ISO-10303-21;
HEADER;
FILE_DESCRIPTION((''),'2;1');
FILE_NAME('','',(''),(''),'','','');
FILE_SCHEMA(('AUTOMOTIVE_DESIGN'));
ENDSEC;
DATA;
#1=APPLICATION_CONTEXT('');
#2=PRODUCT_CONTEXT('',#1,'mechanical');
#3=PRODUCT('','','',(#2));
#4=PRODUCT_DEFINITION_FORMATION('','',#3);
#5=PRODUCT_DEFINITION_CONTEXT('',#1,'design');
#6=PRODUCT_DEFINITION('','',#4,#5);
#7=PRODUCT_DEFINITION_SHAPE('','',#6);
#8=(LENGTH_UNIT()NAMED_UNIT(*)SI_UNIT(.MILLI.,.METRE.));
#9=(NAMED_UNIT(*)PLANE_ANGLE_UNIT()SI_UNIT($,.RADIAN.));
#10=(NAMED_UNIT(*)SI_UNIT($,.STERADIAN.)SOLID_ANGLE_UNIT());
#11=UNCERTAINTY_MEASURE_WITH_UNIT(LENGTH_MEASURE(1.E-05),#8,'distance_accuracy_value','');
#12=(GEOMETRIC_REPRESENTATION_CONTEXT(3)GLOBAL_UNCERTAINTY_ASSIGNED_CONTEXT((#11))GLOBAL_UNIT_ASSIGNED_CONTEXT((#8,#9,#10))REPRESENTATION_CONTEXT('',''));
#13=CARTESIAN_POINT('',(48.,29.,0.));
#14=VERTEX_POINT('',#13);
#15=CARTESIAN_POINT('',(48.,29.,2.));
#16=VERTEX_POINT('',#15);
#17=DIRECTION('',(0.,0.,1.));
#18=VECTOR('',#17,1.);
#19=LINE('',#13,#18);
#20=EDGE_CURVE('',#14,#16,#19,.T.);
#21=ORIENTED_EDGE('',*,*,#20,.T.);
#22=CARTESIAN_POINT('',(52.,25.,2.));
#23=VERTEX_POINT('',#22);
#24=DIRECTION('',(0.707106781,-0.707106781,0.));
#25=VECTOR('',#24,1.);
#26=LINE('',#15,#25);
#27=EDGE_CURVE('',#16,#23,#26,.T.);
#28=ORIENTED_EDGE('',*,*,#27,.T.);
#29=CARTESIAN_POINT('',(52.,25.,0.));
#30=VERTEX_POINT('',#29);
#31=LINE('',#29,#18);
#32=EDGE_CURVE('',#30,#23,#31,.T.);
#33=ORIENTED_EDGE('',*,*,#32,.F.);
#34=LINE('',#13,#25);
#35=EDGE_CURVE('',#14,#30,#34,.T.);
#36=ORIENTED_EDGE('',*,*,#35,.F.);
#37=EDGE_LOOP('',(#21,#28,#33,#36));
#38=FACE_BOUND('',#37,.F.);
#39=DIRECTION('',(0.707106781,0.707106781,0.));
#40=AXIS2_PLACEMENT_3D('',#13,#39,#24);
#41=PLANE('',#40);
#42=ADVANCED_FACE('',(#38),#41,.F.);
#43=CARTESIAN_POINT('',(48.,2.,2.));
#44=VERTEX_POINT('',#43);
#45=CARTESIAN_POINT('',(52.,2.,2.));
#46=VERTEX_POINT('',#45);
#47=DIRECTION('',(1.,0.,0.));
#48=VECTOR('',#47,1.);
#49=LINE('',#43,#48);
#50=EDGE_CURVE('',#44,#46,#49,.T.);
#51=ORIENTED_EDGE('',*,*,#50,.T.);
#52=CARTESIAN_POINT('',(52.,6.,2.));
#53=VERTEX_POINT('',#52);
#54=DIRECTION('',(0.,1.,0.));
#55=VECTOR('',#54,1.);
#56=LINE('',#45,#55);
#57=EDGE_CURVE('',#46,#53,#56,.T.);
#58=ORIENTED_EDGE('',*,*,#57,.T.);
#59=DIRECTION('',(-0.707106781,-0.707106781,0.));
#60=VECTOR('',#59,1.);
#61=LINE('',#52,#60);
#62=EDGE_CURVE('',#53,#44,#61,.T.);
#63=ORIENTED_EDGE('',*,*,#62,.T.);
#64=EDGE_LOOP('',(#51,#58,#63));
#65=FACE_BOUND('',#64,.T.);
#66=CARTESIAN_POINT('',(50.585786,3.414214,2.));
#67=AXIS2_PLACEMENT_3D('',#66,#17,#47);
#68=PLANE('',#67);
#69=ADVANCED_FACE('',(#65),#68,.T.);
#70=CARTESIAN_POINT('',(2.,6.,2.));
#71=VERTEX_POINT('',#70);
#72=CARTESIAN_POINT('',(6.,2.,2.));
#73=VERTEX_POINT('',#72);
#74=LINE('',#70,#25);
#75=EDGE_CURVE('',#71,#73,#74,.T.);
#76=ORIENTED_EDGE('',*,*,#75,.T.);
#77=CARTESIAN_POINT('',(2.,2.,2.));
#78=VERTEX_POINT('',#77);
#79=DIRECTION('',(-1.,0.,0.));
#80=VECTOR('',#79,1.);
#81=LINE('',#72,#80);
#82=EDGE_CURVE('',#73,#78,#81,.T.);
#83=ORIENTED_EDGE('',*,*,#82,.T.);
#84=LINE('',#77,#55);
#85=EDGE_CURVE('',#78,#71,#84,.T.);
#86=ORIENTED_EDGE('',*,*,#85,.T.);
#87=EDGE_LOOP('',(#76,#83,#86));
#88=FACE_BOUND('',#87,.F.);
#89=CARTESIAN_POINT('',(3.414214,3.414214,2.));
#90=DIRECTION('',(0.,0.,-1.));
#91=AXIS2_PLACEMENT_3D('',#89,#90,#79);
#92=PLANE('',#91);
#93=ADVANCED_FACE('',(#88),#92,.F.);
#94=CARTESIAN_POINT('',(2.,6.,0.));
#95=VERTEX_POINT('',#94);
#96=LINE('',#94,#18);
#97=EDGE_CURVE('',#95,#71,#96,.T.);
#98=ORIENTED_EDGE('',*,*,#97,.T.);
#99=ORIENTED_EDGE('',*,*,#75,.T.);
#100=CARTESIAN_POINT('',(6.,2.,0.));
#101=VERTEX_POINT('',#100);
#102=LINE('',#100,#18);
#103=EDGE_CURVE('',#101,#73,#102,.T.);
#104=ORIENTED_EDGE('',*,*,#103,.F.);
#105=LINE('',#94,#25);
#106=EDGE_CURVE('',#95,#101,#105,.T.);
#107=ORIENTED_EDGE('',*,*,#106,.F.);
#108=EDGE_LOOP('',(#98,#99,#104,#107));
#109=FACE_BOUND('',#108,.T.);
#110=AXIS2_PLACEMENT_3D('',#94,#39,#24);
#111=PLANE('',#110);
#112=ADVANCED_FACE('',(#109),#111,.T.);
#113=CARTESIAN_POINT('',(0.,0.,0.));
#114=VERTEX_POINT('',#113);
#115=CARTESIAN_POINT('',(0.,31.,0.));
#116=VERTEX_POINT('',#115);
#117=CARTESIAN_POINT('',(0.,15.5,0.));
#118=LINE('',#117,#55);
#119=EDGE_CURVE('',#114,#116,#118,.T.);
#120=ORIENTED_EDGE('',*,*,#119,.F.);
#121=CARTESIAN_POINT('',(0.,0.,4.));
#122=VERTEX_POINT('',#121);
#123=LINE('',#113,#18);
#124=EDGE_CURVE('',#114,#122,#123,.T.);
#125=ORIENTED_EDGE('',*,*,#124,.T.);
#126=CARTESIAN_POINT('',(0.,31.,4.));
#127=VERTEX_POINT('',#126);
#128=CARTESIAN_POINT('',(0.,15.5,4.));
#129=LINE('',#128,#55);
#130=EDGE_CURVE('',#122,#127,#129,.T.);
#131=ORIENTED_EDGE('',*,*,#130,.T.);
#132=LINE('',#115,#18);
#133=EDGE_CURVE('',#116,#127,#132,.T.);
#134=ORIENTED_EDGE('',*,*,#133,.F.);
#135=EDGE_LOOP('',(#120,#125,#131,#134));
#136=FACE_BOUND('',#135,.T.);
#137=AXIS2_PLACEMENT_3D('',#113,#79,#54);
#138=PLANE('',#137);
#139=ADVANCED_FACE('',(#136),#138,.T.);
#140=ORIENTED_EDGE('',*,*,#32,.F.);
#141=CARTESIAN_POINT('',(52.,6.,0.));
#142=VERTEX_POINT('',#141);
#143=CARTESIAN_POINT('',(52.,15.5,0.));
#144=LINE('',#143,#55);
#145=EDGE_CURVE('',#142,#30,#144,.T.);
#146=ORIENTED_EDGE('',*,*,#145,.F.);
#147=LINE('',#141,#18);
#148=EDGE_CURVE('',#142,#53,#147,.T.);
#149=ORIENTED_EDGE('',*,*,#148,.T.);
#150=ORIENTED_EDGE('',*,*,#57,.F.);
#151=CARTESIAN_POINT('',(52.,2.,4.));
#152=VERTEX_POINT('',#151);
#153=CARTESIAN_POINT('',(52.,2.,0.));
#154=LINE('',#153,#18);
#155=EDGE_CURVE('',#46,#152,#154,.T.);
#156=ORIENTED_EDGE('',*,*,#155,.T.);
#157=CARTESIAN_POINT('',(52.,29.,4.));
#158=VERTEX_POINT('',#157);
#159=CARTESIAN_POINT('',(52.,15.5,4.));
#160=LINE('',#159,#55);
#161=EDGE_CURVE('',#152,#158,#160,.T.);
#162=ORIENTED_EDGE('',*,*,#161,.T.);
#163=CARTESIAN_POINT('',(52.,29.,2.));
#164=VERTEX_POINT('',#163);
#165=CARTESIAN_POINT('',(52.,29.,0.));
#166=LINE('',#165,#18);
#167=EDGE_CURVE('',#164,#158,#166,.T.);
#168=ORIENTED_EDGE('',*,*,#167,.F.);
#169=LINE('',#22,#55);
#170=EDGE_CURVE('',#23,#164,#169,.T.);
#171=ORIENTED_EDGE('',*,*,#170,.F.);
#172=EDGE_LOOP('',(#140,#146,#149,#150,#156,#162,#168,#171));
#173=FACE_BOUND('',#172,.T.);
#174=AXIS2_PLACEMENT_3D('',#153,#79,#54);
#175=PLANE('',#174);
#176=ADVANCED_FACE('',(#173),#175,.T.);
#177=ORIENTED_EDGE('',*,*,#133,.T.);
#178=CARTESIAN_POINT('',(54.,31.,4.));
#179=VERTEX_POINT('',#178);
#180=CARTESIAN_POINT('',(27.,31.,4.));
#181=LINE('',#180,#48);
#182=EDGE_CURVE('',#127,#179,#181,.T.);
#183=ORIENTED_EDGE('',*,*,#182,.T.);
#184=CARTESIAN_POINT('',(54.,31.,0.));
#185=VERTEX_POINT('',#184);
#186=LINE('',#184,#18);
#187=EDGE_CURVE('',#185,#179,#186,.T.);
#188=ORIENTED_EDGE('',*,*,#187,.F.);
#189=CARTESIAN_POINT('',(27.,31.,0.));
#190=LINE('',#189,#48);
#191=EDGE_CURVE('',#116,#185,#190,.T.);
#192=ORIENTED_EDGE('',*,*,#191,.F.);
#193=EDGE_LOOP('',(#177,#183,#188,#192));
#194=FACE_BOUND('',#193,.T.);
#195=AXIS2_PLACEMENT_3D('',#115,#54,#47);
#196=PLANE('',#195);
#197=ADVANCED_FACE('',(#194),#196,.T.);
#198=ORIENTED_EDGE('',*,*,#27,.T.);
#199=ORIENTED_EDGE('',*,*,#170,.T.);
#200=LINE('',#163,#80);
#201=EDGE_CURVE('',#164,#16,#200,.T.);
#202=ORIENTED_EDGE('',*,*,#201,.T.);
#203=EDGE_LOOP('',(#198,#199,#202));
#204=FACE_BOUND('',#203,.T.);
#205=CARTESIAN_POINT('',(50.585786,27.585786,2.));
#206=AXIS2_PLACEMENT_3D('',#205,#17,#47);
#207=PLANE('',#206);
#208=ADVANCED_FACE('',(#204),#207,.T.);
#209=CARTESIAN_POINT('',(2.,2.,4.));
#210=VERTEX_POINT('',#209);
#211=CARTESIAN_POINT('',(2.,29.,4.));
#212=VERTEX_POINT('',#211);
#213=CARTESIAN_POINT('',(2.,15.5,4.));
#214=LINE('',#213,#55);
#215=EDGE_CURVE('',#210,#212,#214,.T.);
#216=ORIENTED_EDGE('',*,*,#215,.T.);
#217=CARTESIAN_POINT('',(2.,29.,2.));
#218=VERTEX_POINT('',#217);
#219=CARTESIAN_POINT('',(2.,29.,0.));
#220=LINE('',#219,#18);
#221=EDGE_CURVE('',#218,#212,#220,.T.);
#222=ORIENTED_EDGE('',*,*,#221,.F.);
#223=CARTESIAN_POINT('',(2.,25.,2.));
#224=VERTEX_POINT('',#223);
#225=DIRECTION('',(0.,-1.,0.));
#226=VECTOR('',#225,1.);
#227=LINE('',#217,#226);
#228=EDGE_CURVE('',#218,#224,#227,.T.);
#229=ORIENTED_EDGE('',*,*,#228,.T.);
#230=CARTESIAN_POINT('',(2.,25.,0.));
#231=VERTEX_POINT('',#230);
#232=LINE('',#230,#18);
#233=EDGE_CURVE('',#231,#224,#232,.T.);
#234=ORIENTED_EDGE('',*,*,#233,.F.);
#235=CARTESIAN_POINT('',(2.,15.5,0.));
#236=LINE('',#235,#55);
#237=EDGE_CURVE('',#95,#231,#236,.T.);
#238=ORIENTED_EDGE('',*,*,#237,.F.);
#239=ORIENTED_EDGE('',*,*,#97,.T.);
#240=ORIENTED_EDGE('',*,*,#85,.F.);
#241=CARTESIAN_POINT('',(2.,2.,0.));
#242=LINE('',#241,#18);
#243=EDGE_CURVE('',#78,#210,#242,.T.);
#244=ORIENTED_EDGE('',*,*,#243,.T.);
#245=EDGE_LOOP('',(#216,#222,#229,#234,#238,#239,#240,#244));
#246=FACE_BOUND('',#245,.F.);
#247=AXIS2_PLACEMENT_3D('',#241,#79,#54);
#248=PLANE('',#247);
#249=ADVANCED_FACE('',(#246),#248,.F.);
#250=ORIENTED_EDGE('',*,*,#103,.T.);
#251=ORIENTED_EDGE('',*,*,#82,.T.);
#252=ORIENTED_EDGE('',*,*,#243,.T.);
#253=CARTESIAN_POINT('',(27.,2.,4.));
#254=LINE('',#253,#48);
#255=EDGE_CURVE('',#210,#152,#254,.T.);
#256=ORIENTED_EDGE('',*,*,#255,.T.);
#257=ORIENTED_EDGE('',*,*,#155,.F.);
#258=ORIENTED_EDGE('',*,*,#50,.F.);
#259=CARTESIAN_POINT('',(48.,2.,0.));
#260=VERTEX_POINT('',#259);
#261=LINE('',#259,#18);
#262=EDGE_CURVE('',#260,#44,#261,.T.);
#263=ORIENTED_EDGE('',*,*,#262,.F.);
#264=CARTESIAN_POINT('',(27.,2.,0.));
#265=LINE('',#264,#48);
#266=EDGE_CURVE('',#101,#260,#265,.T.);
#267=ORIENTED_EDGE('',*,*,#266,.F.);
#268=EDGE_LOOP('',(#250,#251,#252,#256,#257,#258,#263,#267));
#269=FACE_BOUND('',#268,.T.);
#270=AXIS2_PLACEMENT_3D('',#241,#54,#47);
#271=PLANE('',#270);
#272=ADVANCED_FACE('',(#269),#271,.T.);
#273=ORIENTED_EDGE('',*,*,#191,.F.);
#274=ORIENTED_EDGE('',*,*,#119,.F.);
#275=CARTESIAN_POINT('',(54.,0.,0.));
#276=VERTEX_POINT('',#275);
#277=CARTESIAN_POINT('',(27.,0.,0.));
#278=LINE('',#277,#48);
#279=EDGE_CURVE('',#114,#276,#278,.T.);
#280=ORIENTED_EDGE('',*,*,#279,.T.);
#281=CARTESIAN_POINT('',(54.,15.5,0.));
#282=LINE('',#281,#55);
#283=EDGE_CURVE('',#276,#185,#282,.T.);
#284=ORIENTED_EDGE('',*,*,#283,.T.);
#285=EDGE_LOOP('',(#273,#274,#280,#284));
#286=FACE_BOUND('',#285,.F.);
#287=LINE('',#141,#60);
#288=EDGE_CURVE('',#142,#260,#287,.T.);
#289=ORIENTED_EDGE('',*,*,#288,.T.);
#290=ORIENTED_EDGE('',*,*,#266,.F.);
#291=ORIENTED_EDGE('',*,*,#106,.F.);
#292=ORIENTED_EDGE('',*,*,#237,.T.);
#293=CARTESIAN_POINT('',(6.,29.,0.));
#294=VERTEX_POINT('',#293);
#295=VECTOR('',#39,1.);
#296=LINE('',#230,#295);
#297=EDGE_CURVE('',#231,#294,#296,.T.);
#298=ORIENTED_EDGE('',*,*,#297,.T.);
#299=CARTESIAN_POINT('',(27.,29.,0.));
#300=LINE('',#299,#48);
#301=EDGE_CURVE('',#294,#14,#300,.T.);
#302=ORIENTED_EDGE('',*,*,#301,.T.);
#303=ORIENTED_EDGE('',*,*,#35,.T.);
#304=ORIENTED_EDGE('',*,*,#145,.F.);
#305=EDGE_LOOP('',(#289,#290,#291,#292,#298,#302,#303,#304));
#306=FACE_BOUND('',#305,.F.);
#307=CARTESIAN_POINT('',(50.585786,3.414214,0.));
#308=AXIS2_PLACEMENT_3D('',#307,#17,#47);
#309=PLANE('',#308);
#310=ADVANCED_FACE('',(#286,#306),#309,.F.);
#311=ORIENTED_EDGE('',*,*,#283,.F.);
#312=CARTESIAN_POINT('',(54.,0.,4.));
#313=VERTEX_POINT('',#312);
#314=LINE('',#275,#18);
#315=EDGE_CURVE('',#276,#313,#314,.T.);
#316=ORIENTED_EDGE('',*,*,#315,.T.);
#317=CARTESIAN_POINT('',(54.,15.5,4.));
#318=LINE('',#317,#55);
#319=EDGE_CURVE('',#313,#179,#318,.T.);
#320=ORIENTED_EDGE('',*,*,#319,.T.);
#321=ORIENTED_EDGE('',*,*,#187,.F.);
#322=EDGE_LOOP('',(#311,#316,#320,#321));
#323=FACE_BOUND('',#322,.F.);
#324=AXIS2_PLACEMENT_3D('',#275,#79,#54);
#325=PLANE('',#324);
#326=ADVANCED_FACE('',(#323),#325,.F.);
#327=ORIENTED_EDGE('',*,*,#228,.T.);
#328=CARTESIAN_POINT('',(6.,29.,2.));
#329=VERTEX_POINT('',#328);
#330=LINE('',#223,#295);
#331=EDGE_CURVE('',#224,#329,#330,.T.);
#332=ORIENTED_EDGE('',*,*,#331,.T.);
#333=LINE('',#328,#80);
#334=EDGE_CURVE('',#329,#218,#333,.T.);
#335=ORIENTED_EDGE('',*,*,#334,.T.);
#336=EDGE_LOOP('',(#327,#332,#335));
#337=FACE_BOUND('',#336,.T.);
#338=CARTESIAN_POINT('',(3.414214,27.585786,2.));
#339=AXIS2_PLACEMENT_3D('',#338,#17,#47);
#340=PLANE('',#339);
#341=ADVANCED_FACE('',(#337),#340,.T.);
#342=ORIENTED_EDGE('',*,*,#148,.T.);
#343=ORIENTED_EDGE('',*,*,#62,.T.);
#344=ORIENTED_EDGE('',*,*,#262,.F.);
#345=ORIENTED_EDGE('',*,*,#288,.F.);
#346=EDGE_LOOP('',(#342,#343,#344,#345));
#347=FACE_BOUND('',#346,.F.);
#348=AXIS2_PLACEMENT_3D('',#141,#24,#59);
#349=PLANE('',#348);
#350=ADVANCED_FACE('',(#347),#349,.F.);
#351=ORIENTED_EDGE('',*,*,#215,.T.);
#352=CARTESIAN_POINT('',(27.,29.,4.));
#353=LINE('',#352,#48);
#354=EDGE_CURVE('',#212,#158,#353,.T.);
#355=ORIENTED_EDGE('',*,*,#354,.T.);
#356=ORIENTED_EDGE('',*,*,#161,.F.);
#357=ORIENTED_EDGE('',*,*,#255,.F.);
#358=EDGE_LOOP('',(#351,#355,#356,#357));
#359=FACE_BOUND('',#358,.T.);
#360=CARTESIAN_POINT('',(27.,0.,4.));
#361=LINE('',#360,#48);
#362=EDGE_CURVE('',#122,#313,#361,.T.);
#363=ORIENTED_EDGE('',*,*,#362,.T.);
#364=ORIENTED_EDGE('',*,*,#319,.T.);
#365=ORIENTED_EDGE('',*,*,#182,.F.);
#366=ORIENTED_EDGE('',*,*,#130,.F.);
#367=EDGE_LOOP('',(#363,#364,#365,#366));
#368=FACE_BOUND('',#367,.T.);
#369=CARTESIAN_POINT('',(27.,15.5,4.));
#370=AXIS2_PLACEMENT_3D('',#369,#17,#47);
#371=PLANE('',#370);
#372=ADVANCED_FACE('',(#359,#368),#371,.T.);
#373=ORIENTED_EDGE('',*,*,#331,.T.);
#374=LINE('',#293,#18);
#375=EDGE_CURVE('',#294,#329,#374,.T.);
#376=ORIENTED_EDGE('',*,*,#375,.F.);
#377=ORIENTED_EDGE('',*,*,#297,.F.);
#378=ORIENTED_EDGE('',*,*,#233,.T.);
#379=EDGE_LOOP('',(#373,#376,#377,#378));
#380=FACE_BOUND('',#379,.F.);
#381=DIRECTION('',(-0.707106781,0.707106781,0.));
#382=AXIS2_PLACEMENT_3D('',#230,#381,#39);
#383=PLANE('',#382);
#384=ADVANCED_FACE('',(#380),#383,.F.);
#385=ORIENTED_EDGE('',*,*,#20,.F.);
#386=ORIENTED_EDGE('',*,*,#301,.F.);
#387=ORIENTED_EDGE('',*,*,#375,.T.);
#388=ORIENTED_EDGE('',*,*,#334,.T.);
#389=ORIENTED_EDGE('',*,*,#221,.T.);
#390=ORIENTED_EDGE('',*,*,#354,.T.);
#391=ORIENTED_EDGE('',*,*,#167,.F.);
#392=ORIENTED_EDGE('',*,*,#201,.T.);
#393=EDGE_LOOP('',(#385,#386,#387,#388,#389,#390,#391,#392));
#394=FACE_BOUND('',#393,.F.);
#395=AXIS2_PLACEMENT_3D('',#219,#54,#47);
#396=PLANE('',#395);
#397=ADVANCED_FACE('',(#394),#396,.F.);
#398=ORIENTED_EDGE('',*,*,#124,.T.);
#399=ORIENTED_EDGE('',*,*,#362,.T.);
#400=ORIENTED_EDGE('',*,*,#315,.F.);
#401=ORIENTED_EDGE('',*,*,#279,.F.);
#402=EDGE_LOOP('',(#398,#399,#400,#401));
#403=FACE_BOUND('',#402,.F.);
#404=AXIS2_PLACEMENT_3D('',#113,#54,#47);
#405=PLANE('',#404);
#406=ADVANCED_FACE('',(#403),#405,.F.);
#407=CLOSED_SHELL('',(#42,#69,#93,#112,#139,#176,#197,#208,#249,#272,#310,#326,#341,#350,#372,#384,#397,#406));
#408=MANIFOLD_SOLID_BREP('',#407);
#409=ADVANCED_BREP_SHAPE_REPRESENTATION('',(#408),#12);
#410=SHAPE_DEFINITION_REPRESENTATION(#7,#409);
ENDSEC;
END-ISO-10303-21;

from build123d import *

# Parameters (mm, degrees)
SKETCH_W     = 54
SKETCH_H     = 31
SKETCH_W_2   = 50
SKETCH_H_2   = 27
PAD_DEPTH    = 4
PAD001_DEPTH = 2
PAD002_DEPTH = 2
PAD003_DEPTH = 2
PAD004_DEPTH = 2


with BuildPart() as part:
    # Sketch → Pad (new body)
    with BuildSketch(Plane.XY):
        with Locations((27, 15.5)):
            Rectangle(SKETCH_W, SKETCH_H)
        with Locations((27, 15.5)):
            Rectangle(SKETCH_W_2, SKETCH_H_2, mode=Mode.SUBTRACT)
    extrude(amount=PAD_DEPTH)

    # Sketch001 → Pad001 (join)
    with BuildSketch(Plane.XY):
        Polygon((2, 6), (6, 2), (2, 2), align=None)
    extrude(amount=PAD001_DEPTH)

    # Sketch002 → Pad002 (join)
    with BuildSketch(Plane.XY):
        Polygon((48, 29), (52, 25), (52, 29), align=None)
    extrude(amount=PAD002_DEPTH)

    # Sketch003 → Pad003 (join)
    with BuildSketch(Plane.XY):
        Polygon((2, 25), (6, 29), (2, 29), align=None)
    extrude(amount=PAD003_DEPTH)

    # Sketch004 → Pad004 (join)
    with BuildSketch(Plane.XY):
        Polygon((52, 6), (48, 2), (52, 2), align=None)
    extrude(amount=PAD004_DEPTH)


solid = part.part
